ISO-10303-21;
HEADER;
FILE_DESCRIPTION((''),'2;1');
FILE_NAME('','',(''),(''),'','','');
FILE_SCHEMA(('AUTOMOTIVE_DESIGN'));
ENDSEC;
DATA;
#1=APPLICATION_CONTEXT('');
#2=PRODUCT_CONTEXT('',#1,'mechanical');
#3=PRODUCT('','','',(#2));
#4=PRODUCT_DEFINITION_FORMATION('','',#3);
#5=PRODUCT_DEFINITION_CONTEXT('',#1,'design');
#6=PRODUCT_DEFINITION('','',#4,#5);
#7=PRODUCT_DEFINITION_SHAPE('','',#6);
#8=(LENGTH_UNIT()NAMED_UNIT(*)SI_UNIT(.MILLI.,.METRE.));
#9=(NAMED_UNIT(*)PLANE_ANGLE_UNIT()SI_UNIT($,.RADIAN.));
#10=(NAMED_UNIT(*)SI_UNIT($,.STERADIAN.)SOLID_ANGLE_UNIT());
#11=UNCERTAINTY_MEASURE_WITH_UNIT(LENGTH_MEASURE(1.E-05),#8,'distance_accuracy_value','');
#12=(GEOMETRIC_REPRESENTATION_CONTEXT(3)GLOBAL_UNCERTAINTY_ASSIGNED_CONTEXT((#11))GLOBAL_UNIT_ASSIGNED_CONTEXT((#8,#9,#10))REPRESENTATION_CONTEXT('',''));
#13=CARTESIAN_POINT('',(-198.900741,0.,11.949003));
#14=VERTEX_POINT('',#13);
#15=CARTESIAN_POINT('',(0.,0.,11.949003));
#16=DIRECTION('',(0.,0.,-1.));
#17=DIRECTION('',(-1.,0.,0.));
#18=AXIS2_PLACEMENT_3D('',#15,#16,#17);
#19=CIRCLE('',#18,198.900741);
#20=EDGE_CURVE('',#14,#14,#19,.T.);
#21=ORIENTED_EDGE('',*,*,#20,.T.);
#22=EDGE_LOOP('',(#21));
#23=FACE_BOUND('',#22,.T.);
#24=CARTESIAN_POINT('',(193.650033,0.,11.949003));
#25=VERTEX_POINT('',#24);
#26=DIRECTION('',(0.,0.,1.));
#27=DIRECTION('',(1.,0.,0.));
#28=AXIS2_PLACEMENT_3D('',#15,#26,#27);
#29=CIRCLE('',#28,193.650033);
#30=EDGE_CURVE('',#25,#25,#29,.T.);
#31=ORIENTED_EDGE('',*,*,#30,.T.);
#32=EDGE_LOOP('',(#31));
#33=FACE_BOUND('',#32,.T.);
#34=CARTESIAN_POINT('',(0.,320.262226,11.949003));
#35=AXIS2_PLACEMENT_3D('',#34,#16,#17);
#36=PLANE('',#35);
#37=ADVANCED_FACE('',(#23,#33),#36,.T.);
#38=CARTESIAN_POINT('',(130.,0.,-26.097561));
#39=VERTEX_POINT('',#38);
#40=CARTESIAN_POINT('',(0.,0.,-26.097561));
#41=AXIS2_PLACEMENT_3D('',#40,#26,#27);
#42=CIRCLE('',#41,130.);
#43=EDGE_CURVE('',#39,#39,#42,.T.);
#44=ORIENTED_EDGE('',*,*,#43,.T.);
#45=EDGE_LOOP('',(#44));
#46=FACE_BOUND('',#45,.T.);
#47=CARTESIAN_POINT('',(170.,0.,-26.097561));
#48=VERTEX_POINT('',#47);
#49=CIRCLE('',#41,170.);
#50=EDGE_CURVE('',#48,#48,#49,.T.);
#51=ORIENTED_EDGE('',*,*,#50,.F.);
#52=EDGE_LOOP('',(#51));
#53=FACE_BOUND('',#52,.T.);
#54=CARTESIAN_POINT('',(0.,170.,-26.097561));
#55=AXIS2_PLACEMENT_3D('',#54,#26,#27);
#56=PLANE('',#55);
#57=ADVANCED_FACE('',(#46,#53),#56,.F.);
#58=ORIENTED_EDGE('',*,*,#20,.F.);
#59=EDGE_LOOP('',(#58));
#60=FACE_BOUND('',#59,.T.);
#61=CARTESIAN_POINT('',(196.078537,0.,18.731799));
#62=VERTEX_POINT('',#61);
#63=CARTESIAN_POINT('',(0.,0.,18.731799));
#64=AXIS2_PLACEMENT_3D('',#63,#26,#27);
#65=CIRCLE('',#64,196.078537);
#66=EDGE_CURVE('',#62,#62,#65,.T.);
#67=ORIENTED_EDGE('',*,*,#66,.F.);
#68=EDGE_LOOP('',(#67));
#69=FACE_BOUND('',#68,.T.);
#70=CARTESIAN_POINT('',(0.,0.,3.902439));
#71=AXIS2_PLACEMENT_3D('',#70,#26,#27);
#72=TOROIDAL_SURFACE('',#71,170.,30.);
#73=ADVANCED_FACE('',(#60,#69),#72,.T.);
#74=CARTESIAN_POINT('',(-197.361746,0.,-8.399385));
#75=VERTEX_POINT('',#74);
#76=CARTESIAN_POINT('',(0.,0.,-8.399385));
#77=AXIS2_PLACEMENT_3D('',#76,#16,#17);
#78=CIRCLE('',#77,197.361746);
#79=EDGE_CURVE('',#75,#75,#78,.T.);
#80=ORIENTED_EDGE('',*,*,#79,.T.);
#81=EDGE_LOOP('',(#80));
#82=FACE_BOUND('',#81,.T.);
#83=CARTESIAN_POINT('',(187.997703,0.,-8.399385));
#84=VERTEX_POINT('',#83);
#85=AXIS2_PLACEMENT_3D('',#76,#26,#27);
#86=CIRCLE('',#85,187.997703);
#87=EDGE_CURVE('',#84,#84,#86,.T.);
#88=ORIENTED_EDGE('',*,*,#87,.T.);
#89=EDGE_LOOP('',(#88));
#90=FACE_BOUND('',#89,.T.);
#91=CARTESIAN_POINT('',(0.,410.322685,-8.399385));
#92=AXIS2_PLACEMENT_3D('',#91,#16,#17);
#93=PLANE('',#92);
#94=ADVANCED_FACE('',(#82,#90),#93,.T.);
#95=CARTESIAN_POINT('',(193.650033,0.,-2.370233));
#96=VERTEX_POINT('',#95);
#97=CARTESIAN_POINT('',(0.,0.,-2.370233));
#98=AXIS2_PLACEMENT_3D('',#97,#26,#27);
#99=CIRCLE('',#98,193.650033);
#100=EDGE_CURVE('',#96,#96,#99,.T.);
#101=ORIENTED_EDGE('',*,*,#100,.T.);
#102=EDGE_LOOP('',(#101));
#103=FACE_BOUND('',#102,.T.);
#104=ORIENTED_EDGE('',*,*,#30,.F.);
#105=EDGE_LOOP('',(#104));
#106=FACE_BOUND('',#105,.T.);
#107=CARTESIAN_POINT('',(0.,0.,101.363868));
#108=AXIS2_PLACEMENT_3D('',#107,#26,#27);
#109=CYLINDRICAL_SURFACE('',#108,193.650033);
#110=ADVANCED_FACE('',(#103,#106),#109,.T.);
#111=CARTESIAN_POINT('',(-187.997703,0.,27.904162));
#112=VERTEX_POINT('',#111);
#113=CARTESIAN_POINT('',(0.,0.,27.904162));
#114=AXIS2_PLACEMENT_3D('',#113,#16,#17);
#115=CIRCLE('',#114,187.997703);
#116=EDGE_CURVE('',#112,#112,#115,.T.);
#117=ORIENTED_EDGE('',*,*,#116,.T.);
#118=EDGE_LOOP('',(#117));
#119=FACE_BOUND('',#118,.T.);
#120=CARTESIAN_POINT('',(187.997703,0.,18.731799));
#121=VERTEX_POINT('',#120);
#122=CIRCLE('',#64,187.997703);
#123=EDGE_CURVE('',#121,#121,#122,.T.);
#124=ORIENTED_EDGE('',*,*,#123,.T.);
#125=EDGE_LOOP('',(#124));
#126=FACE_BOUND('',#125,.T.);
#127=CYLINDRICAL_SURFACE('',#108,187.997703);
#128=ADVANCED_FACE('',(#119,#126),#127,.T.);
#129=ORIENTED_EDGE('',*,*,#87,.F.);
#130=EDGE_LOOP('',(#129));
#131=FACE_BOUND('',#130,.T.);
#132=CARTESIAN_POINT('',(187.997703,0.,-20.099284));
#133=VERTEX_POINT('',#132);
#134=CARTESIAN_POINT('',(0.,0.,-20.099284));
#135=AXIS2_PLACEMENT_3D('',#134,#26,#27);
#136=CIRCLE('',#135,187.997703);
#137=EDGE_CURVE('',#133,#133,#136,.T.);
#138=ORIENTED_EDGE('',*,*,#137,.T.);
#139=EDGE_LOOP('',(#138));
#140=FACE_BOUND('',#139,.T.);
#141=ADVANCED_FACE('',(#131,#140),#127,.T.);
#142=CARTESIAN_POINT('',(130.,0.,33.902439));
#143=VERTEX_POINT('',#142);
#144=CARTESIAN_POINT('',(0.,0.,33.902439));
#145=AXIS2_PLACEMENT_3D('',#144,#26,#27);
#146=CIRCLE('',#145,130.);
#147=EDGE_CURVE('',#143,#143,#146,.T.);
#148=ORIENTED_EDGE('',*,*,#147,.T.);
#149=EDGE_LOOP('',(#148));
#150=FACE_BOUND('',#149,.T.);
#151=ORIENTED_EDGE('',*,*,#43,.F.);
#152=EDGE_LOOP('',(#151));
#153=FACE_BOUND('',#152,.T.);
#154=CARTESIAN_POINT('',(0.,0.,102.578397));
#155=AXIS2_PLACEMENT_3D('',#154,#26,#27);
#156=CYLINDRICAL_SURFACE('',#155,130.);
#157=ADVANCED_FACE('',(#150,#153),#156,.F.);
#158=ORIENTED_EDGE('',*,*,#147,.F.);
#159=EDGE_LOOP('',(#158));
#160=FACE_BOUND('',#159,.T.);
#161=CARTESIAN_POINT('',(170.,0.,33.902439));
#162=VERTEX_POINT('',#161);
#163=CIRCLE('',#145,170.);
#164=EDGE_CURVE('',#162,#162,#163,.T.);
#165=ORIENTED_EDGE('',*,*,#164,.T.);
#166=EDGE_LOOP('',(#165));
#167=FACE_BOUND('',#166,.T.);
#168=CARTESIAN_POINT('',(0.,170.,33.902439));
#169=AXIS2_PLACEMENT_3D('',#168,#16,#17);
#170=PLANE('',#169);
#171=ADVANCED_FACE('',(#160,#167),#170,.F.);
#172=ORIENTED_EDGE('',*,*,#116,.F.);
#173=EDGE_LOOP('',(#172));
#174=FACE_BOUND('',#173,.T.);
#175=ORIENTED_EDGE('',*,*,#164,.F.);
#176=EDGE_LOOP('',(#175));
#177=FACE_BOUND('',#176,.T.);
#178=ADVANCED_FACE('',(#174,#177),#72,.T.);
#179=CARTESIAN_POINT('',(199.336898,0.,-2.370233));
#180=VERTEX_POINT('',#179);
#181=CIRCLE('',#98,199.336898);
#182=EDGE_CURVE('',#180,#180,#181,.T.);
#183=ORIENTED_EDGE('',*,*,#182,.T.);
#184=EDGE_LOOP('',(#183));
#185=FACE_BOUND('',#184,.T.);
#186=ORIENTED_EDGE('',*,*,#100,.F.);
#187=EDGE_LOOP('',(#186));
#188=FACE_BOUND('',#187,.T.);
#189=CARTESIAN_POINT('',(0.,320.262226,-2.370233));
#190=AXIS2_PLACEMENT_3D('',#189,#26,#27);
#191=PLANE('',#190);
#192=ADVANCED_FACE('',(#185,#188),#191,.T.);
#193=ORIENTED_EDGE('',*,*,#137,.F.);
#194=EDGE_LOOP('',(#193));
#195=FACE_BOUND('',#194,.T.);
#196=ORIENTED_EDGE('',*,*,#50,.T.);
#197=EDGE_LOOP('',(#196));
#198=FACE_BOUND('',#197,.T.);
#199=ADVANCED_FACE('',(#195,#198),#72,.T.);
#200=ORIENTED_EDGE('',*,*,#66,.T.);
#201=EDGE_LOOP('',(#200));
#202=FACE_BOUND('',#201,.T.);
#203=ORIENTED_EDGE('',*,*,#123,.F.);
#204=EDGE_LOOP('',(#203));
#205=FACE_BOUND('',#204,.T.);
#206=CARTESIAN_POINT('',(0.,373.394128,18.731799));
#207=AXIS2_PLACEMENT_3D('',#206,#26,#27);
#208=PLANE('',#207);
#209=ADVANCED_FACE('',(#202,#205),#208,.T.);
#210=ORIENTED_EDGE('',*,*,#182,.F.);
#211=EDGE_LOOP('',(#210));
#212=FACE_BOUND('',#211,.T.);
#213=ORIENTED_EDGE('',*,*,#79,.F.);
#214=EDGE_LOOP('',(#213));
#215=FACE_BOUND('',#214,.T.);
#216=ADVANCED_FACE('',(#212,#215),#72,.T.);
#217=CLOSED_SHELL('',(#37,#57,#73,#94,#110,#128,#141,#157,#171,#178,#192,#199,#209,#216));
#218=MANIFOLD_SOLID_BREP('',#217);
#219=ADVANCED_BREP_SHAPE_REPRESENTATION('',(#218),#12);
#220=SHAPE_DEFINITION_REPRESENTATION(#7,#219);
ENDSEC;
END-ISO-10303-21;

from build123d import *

# Parameters (mm, degrees)
SKETCH3_W   = 14.319236131
SKETCH3_H   = 126.612193163
SKETCH3_W_2 = 30.145760277
SKETCH3_H_2 = 185.396425703
SKETCH3_W_3 = 12.058304111
SKETCH3_H_3 = 222.324982043


with BuildPart() as part:
    # Sketch2 → Revolve1 (revolve)
    with BuildSketch(Plane(origin=(0, 0, 0), x_dir=(0, 0, -1), z_dir=(1, 0, 0)), mode=Mode.PRIVATE) as revolve1_sk:
        with BuildLine():
            Line((-33.902439024, 170), (-33.902439024, 130))
            Line((-33.902439024, 130), (26.097560976, 130))
            Line((26.097560976, 130), (26.097560976, 170))
            ThreePointArc((26.097560976, 170), (-3.902439024, 200), (-33.902439024, 170))
        make_face()
    revolve(revolve1_sk.sketch.rotate(Axis((0, 0, 102.578397213), (0, 0, -1)), 90), axis=Axis((0, 0, 102.578397213), (0, 0, -1)))

    # Sketch3 → Cut-Revolve1 (revolve, cut)
    with BuildSketch(Plane(origin=(0, 0, 0), x_dir=(0, 0, -1), z_dir=(1, 0, 0)), mode=Mode.PRIVATE) as cut_revolve1_sk:
        with Locations((-4.789385206, 256.956129248)):
            Rectangle(SKETCH3_W, SKETCH3_H)
        with Locations((-33.804679472, 280.695915466)):
            Rectangle(SKETCH3_W_2, SKETCH3_H_2)
        with Locations((14.428536971, 299.160193636)):
            Rectangle(SKETCH3_W_3, SKETCH3_H_3)
    revolve(cut_revolve1_sk.sketch.rotate(Axis((0, 0, 101.363868033), (0, 0, -1)), 90), axis=Axis((0, 0, 101.363868033), (0, 0, -1)), mode=Mode.SUBTRACT)


solid = part.part
